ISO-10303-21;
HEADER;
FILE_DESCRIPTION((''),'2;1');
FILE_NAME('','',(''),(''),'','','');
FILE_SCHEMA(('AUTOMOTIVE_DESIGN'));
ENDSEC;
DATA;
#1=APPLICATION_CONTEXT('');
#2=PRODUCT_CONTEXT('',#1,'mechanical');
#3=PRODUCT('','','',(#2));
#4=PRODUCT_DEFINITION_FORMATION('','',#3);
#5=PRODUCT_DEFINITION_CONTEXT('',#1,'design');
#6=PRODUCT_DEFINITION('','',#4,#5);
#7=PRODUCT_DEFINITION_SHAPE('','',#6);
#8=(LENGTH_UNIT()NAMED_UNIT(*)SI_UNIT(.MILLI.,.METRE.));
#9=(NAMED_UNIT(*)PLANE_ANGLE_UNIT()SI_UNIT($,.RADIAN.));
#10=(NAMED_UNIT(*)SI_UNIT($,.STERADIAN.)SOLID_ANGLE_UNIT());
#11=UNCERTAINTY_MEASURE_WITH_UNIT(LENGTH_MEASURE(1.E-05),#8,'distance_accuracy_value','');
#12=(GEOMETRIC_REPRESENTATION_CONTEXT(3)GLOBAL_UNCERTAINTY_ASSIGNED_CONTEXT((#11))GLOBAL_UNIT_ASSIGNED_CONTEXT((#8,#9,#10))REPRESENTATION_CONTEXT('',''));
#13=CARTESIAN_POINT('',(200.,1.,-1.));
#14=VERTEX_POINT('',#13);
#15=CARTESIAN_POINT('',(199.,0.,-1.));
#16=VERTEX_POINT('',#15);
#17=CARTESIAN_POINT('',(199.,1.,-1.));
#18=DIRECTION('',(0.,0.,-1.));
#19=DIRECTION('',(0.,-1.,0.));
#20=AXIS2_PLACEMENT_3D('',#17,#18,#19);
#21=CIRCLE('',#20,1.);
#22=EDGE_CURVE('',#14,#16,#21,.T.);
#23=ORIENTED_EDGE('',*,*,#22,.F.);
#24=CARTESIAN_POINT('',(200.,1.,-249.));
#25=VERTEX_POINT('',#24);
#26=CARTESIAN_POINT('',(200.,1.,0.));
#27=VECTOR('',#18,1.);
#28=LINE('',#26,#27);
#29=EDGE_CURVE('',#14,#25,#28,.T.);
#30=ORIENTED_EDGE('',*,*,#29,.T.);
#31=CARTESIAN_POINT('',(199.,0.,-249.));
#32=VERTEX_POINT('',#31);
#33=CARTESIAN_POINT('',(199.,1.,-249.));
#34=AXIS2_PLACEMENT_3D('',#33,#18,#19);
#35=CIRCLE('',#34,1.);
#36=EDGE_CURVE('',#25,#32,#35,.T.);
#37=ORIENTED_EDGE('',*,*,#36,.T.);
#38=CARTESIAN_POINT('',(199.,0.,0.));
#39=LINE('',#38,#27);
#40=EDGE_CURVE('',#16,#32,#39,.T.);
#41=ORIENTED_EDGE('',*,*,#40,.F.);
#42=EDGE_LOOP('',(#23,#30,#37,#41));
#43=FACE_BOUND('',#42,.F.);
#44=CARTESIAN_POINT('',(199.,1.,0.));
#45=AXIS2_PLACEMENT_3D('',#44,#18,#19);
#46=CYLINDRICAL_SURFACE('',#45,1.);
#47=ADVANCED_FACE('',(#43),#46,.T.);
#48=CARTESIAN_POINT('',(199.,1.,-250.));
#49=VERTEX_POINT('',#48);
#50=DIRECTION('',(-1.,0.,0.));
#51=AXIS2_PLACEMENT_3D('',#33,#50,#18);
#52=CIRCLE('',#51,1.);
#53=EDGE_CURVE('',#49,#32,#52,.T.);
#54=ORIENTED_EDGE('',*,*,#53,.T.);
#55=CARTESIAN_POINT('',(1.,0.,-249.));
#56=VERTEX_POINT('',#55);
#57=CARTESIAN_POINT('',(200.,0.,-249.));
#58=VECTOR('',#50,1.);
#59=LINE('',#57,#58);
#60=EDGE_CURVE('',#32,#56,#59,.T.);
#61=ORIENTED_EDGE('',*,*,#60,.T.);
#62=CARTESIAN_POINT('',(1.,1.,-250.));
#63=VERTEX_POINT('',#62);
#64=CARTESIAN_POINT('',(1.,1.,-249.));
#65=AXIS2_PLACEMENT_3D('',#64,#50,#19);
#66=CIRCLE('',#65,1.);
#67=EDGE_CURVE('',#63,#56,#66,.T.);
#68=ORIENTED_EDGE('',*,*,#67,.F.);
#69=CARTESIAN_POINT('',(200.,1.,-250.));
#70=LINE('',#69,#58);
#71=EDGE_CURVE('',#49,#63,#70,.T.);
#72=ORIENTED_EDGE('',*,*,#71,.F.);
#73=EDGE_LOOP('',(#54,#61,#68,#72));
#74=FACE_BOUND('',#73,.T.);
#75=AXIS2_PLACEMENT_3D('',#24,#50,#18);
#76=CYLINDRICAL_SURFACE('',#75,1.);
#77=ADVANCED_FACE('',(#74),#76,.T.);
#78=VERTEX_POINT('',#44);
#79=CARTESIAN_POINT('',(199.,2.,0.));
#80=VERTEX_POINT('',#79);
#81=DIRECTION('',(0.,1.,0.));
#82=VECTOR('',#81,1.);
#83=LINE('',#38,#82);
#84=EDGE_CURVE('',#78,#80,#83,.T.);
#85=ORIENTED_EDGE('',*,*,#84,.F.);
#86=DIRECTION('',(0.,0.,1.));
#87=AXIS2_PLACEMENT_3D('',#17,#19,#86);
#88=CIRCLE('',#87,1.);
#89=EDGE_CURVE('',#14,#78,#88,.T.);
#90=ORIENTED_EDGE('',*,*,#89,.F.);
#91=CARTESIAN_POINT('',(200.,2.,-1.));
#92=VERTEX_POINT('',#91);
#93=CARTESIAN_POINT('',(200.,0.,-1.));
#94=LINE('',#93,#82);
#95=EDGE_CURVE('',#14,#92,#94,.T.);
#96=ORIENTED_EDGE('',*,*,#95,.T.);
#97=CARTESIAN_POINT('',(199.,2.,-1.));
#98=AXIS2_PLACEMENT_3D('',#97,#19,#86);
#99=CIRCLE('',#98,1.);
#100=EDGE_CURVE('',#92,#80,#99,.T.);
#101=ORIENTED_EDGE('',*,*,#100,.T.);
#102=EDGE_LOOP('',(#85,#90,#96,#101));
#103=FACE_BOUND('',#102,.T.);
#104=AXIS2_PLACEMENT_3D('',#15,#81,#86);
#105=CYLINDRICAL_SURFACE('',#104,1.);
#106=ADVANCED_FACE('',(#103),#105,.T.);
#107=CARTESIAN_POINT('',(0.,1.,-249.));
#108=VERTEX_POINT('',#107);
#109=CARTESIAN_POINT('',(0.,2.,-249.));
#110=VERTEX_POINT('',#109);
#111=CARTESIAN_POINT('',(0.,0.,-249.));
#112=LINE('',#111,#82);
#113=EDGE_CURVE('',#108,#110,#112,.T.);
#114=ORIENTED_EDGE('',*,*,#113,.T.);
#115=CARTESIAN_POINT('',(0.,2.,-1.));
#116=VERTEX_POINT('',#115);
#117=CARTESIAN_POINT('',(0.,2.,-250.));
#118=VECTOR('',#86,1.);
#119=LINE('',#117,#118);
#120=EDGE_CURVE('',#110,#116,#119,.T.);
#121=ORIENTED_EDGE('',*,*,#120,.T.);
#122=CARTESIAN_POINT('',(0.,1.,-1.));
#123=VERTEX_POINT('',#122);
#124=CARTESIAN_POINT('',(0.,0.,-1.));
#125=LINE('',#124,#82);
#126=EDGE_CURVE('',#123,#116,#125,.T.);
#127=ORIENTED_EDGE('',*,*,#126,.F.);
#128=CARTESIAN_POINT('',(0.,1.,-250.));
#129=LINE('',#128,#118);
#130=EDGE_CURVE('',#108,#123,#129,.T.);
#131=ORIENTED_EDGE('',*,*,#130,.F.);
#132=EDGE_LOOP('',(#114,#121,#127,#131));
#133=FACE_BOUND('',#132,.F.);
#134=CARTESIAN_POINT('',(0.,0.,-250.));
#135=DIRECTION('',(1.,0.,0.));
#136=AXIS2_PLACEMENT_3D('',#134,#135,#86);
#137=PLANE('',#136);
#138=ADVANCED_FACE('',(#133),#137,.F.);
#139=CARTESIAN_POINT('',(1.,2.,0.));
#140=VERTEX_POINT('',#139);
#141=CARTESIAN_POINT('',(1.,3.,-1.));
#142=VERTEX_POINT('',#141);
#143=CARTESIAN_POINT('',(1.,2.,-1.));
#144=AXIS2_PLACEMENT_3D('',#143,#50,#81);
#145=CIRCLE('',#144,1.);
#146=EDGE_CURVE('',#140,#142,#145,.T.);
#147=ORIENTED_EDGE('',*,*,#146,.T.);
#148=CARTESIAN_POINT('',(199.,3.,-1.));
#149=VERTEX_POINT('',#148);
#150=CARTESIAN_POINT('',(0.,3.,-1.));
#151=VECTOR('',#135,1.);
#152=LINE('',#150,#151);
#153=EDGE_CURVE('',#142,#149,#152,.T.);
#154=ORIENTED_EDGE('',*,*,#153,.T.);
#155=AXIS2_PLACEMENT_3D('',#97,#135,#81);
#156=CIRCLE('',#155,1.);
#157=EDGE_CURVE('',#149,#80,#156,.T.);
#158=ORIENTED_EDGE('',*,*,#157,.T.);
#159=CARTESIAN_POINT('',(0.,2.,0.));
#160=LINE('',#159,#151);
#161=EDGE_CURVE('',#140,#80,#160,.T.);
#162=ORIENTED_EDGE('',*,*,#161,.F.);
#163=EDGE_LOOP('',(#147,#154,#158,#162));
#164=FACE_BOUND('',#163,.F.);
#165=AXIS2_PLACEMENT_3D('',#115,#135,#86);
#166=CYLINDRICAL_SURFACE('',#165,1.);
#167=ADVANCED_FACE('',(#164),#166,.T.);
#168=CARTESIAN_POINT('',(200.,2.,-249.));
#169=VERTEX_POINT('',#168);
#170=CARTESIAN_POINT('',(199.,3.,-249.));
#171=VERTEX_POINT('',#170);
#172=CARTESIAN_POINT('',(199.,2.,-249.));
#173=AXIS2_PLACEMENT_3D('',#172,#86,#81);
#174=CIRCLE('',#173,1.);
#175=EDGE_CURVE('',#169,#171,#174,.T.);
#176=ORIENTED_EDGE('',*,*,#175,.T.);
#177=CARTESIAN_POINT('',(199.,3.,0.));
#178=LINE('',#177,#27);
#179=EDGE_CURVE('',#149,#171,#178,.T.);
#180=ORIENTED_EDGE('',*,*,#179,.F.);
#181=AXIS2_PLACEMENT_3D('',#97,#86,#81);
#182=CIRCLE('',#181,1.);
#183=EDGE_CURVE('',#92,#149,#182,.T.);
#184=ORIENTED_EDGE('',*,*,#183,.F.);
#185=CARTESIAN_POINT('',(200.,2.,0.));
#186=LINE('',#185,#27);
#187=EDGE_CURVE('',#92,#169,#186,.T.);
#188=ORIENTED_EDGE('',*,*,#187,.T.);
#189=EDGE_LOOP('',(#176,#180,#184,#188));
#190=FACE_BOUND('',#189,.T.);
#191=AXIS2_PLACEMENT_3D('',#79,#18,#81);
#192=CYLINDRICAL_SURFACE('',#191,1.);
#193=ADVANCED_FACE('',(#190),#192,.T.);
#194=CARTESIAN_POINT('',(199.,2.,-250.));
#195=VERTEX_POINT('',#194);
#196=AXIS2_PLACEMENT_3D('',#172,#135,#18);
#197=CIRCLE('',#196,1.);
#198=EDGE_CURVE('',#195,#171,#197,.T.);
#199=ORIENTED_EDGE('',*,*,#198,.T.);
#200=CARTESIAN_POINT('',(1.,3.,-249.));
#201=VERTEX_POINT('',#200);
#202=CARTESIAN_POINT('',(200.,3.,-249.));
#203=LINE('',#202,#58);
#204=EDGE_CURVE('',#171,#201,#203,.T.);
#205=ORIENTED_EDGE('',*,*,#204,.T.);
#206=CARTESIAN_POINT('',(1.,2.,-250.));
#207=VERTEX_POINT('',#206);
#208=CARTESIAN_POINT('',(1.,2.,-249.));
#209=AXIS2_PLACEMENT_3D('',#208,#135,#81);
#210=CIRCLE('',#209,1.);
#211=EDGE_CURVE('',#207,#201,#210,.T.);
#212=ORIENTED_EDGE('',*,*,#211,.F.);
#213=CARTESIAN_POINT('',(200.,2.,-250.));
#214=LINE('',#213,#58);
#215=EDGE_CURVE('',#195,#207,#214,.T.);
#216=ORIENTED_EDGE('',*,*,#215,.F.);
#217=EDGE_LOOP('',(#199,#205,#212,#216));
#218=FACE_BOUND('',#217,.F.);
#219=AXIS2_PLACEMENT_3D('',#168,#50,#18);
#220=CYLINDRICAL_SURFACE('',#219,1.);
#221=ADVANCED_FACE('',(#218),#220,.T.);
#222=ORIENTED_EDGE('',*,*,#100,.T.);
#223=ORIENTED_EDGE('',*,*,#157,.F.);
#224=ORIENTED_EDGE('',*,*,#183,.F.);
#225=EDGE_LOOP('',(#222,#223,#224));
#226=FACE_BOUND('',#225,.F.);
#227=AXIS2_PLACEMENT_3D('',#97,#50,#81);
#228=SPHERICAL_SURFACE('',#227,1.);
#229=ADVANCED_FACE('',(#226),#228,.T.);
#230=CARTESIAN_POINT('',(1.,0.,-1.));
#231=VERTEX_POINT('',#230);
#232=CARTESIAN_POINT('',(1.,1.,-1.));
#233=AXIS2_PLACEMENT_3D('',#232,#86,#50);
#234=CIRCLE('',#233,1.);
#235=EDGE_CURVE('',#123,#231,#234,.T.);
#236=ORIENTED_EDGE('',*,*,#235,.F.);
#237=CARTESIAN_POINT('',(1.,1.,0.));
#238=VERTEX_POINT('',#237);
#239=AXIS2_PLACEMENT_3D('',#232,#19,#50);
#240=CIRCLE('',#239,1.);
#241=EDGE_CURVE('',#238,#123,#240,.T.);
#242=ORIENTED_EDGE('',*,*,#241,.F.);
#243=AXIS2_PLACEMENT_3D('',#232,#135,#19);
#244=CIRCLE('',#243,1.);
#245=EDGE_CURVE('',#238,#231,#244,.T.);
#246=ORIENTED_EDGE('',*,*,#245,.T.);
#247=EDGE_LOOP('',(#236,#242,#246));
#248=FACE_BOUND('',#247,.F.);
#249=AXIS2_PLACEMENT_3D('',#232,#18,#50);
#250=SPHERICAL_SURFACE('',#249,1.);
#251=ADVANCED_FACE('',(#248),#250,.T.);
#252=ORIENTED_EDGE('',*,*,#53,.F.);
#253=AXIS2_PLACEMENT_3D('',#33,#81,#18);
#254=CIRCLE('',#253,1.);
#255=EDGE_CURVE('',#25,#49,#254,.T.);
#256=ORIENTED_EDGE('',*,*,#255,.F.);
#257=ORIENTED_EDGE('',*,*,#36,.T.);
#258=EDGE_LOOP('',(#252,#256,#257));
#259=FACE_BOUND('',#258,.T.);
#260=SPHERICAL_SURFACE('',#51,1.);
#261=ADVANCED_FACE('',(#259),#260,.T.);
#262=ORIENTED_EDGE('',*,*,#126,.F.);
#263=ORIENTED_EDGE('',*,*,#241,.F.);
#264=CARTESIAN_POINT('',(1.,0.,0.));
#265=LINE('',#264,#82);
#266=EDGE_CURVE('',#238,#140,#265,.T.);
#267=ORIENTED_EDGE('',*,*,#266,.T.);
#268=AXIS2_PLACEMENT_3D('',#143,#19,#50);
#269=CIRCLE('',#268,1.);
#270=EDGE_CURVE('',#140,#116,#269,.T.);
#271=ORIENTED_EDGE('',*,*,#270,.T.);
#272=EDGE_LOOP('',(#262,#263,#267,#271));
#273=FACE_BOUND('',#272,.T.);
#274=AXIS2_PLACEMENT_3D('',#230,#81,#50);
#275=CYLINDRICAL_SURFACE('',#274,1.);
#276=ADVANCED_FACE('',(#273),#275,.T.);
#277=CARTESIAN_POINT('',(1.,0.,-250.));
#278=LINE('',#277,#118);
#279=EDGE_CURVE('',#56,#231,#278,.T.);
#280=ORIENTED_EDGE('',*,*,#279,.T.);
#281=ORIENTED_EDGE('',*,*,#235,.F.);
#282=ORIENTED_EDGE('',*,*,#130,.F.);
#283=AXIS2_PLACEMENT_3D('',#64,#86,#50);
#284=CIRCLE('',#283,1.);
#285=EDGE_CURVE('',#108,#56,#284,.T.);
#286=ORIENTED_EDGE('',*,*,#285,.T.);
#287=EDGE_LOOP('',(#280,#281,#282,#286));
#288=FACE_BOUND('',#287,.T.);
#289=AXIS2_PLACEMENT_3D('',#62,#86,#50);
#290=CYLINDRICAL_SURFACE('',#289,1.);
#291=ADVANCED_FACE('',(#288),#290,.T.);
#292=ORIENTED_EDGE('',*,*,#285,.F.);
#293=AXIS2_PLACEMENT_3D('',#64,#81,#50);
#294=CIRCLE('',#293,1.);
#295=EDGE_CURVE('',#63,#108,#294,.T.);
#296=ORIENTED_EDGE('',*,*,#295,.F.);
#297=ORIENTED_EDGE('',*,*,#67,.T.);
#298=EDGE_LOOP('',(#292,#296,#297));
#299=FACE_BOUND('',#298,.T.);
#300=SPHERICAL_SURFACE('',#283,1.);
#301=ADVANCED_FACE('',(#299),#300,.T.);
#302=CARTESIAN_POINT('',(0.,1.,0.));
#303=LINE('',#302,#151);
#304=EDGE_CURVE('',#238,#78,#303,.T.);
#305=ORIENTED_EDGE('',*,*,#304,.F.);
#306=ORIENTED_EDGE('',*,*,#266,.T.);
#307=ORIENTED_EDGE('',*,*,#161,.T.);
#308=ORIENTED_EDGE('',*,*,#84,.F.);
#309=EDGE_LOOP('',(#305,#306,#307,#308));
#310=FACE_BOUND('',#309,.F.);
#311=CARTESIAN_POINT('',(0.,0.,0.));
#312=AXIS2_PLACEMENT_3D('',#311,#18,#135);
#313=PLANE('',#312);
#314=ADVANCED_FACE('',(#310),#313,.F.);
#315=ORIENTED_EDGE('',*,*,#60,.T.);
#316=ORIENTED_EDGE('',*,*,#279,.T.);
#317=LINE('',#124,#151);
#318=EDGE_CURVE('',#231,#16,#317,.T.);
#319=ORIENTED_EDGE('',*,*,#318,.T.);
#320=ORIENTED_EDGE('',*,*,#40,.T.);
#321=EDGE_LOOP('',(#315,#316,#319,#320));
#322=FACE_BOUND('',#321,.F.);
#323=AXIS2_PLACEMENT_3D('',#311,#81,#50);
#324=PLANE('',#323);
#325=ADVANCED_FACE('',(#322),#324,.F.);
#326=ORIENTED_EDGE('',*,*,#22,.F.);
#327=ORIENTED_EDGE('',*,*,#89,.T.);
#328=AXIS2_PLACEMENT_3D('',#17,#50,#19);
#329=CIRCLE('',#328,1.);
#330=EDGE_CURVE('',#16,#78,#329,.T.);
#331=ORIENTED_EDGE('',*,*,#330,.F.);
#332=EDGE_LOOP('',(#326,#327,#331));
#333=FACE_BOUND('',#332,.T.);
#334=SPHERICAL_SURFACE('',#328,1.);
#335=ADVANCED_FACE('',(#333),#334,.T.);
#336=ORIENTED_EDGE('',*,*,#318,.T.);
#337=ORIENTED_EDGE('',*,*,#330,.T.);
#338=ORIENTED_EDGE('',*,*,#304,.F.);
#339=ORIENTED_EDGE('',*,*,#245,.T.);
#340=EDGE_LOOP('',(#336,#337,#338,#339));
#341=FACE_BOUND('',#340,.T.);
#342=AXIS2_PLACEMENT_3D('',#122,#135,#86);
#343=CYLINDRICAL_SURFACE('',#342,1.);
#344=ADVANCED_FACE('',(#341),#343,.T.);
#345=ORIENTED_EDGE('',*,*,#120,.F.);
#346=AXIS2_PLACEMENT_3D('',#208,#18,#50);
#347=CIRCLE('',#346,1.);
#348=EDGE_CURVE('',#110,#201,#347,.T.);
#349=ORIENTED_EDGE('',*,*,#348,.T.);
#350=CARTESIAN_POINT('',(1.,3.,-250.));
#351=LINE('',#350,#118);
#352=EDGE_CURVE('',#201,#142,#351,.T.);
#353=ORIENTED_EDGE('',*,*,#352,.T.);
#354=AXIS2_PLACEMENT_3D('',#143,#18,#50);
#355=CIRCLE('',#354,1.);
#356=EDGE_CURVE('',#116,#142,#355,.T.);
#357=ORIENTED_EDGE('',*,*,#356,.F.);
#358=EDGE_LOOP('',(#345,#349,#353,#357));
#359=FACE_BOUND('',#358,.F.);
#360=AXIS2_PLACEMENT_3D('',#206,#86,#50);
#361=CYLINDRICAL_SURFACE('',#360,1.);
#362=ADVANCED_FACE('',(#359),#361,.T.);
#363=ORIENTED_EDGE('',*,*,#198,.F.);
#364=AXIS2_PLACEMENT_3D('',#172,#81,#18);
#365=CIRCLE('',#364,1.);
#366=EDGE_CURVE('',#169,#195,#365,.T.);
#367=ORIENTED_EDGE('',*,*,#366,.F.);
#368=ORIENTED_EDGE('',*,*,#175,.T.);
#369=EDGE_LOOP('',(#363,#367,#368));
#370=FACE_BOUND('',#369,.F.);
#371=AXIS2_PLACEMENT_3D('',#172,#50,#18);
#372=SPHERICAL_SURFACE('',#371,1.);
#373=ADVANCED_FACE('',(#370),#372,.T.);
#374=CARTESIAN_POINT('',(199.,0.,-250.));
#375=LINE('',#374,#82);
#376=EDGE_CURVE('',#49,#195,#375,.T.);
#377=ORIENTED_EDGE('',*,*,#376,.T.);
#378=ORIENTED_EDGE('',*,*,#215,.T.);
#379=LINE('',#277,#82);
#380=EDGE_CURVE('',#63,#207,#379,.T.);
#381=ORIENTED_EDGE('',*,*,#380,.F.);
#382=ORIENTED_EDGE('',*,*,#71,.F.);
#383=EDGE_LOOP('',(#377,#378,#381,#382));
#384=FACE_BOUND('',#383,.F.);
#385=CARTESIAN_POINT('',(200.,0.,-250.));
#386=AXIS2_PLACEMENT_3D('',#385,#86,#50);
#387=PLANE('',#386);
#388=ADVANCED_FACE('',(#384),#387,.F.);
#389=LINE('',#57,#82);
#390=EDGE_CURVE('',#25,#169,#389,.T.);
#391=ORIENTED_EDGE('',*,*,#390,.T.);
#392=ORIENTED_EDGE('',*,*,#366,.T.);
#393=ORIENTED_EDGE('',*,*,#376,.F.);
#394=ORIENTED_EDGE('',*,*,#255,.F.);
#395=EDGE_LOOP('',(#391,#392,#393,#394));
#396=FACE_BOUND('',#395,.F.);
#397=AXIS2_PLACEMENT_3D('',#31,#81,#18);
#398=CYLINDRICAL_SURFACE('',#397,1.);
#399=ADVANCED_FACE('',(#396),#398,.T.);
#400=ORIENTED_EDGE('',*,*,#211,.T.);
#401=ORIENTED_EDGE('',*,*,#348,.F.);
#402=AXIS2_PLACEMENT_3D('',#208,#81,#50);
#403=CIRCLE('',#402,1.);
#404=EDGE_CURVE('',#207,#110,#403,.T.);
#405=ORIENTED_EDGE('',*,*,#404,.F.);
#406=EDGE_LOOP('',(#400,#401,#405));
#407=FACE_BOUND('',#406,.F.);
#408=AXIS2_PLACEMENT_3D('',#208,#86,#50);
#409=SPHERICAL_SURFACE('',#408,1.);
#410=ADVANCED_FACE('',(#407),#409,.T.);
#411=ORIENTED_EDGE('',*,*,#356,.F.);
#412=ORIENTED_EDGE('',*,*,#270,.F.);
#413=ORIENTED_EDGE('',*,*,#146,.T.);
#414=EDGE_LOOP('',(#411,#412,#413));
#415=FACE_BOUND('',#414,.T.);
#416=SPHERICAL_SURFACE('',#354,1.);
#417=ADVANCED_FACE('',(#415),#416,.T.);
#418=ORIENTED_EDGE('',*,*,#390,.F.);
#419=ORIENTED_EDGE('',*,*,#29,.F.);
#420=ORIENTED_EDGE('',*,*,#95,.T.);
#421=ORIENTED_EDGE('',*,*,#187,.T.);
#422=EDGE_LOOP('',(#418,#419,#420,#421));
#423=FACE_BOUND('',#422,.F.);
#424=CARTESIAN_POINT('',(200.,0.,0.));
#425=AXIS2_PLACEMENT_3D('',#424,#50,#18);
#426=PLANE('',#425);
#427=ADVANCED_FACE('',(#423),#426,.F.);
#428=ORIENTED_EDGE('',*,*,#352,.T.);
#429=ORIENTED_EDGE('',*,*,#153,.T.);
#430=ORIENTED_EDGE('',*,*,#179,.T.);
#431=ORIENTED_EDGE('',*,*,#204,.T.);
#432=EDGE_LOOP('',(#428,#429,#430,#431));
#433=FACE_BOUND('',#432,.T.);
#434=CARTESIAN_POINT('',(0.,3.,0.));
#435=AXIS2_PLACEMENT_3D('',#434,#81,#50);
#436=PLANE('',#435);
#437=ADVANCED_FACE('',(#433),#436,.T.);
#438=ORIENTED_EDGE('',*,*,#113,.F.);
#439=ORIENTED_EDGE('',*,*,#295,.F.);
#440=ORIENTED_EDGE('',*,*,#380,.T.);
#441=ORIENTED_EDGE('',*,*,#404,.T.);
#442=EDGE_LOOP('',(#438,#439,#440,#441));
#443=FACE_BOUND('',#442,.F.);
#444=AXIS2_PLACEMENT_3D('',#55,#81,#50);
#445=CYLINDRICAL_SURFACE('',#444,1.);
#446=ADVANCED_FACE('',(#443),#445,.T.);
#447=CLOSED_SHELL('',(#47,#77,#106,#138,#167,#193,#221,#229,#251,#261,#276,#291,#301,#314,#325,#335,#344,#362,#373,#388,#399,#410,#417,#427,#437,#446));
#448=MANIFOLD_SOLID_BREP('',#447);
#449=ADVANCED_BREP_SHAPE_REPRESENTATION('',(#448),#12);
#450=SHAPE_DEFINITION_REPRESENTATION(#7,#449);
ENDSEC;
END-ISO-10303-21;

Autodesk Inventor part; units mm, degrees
ref_plane "YZ Plane" through (0, 0, 0) normal (1, 0, 0) x (0, 1, 0)
ref_plane "XZ Plane" through (0, 0, 0) normal (0, 1, 0) x (-1, 0, 0)
ref_plane "XY Plane" through (0, 0, 0) normal (0, 0, 1) x (1, 0, 0)
sketch "page_lines" plane through (0, 0, 0) normal (0, 1, 0) x (-1, 0, 0)
  line L0 (0, 0) -> (-200, 0)
  line L1 (-200, 0) -> (-200, -250)
  line L2 (-200, -250) -> (0, -250)
  line L3 (0, -250) -> (0, 0)
  circle A0 centre (-65, -60) radius 6
  circle A1 centre (-125, -80) radius 6
  circle A2 centre (-65, -60) radius 12.5
  circle A3 centre (-65, -60) radius 8.5
  circle A4 centre (-125, -80) radius 8.5
  circle A5 centre (-125, -80) radius 12.5
  circle A6 centre (-175, -125) radius 3
  line L4 (-175, -125) -> (-175, -209)
  line L5 (-175, -125) -> (-91, -125) construction
  circle A7 centre (-175, -139) radius 3
  circle A8 centre (-175, -153) radius 3
  circle A9 centre (-175, -167) radius 3
  circle A10 centre (-175, -181) radius 3
  circle A11 centre (-175, -195) radius 3
  circle A12 centre (-175, -209) radius 3
  circle A13 centre (-95, -185) radius 2.5
  circle A14 centre (-95, -185) radius 5
  point P0 (-200, -125)
  dimension "d0" = 200
  dimension "d1" = 250
  dimension "d2" = 12
  dimension "d3" = 12
  dimension "d4" = 25
  dimension "d5" = 17
  dimension "d6" = 17
  dimension "d7" = 25
  dimension "d8" = 75
  dimension "d9" = 80
  dimension "d10" = 65
  dimension "d11" = 60
  dimension "d12" = 6
  dimension "d13" = 84
  dimension "d14" = 90
  dimension "d15" = 25
  dimension "d16" = 125
  dimension "d19" = 14
  dimension "d24" = 5
  dimension "d25" = 10
  dimension "d26" = 65
  dimension "d27" = 95
extrude "cover" add sketch "page_lines" along normal blind 3 contours L3 L2 L1 L0 | A0 | A1 | A2 | A3 | A4 | A5 | A6 | A12 | A11 L4 | L4 A11 | A10 L4 | L4 A10 | A9 L4 | L4 A9 | A8 L4 | L4 A8 | A7 L4 | L4 A7 | A13 | A14
fillet "Fillet1" radius 1 12 edges at (0, 3, -125) (0, 0, -125) (0, 1.5, 0) (100, 0, 0) (100, 3, 0) (0, 1.5, -250) (100, 3, -250) (100, 0, -250) (200, 1.5, -250) (200, 0, -125) (200, 3, -125) (200, 1.5, 0)
properties part number "pages_cover"
